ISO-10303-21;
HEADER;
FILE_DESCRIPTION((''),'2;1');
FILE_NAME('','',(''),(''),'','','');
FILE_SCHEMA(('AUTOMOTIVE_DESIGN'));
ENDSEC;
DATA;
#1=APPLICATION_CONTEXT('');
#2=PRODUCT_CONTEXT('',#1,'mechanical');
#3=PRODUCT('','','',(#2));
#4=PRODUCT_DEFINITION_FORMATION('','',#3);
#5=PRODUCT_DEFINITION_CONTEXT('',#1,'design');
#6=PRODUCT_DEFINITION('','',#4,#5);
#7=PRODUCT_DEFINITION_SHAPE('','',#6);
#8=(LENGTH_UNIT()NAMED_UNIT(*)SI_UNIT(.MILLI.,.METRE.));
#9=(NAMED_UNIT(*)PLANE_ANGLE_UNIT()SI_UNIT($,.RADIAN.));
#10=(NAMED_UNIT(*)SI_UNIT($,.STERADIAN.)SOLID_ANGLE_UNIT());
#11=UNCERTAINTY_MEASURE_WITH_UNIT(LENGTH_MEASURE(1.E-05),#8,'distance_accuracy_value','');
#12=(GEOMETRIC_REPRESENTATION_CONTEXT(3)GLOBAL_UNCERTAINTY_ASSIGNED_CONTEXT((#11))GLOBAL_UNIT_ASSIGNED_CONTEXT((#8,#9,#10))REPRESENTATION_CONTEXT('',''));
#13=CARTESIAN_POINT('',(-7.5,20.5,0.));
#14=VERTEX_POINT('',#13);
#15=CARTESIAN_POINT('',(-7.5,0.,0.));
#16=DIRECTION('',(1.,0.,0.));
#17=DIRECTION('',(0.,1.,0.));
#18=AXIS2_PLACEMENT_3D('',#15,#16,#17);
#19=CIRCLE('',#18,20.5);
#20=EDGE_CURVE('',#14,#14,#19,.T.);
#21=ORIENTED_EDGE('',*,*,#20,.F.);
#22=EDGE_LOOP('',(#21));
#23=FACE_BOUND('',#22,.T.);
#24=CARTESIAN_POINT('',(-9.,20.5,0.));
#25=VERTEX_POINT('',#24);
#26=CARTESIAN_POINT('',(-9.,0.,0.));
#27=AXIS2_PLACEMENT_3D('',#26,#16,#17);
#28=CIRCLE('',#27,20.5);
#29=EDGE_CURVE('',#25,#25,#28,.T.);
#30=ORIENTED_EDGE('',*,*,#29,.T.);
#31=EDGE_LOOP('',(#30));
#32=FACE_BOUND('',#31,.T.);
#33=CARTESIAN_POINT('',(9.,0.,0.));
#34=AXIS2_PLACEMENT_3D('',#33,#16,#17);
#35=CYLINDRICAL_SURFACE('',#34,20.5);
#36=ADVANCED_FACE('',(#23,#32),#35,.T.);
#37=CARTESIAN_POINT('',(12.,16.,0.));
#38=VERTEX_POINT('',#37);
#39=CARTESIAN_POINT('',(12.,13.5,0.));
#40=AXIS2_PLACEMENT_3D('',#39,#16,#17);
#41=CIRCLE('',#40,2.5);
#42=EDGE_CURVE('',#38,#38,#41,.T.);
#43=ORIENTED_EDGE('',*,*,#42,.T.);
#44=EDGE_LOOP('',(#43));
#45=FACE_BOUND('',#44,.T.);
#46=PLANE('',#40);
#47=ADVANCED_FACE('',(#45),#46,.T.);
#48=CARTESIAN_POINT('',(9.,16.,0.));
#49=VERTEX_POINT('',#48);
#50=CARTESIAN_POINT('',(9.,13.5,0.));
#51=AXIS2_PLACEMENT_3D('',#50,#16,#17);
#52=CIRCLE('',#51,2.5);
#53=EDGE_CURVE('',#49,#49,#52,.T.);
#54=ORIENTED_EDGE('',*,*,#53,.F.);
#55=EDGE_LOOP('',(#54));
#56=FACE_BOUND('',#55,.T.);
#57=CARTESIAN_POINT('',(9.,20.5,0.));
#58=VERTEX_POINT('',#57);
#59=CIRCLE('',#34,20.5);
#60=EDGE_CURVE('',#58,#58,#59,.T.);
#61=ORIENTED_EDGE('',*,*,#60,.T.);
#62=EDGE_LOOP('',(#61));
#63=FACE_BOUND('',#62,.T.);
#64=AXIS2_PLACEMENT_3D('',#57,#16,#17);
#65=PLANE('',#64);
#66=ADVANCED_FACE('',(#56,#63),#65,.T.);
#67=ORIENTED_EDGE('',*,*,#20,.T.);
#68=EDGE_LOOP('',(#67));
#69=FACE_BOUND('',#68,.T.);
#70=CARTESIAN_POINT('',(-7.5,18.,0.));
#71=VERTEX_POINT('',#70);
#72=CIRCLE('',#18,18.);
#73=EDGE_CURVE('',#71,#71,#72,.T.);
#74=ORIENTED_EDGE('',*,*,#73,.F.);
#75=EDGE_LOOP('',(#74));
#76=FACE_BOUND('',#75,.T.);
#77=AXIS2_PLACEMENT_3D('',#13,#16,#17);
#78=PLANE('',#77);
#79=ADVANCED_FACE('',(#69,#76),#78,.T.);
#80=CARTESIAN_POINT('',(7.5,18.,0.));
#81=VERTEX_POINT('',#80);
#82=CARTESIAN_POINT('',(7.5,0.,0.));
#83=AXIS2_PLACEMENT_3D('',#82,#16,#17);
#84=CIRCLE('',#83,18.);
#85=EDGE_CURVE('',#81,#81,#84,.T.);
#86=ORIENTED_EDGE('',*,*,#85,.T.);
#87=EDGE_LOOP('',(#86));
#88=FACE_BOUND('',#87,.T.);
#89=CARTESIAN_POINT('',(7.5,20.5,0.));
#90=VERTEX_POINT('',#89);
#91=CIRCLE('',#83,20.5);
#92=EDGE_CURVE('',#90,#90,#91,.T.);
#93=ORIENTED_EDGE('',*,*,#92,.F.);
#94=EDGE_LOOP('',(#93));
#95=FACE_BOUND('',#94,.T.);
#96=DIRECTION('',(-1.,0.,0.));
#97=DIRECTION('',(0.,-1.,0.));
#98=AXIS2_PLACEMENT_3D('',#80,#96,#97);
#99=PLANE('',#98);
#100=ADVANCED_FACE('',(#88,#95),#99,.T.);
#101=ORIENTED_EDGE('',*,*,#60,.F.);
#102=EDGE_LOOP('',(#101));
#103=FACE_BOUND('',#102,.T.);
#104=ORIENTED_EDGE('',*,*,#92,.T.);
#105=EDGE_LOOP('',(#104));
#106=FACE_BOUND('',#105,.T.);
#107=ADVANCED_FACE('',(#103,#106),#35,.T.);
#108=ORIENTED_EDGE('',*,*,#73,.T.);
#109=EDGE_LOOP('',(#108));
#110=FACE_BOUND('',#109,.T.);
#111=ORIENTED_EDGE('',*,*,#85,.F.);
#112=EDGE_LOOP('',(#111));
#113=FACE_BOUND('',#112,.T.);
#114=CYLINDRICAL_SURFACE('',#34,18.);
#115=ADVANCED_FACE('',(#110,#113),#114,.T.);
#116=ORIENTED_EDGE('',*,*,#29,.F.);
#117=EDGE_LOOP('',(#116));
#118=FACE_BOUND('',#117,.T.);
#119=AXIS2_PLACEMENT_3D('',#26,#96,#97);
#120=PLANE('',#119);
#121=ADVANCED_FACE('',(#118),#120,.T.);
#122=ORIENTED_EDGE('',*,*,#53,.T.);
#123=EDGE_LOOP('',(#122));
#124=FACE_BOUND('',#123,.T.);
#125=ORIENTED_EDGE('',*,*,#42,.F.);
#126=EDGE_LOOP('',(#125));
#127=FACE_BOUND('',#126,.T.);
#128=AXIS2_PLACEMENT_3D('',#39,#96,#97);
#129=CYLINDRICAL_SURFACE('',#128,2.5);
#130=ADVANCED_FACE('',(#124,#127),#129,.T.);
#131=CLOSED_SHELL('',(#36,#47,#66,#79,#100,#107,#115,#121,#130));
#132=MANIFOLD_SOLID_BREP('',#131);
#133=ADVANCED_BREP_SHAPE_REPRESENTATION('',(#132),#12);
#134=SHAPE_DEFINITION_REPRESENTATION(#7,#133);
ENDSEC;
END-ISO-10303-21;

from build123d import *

# Parameters (mm, degrees)
SKETCH2_R           = 2.5
BOSS_EXTRUDE1_DEPTH = 3


with BuildPart() as part:
    # Sketch1 → Revolve1 (revolve)
    with BuildSketch(Plane.XY):
        Polygon((9, 0), (-9, 0), (-9, 20.5), (-7.5, 20.5), (-7.5, 18), (7.5, 18), (7.5, 20.5), (9, 20.5), align=None)
    revolve(axis=Axis((9, 0, 0), (-1, 0, 0)))

    # Sketch2 → Boss-Extrude1 (add)
    with BuildSketch(Plane(origin=(9, 0, 0), x_dir=(0, 0, -1), z_dir=(1, 0, 0))):
        with Locations(Location((0, 13.5, 0), (0, 0, 90))):
            Circle(SKETCH2_R)
    extrude(amount=BOSS_EXTRUDE1_DEPTH)


solid = part.part
